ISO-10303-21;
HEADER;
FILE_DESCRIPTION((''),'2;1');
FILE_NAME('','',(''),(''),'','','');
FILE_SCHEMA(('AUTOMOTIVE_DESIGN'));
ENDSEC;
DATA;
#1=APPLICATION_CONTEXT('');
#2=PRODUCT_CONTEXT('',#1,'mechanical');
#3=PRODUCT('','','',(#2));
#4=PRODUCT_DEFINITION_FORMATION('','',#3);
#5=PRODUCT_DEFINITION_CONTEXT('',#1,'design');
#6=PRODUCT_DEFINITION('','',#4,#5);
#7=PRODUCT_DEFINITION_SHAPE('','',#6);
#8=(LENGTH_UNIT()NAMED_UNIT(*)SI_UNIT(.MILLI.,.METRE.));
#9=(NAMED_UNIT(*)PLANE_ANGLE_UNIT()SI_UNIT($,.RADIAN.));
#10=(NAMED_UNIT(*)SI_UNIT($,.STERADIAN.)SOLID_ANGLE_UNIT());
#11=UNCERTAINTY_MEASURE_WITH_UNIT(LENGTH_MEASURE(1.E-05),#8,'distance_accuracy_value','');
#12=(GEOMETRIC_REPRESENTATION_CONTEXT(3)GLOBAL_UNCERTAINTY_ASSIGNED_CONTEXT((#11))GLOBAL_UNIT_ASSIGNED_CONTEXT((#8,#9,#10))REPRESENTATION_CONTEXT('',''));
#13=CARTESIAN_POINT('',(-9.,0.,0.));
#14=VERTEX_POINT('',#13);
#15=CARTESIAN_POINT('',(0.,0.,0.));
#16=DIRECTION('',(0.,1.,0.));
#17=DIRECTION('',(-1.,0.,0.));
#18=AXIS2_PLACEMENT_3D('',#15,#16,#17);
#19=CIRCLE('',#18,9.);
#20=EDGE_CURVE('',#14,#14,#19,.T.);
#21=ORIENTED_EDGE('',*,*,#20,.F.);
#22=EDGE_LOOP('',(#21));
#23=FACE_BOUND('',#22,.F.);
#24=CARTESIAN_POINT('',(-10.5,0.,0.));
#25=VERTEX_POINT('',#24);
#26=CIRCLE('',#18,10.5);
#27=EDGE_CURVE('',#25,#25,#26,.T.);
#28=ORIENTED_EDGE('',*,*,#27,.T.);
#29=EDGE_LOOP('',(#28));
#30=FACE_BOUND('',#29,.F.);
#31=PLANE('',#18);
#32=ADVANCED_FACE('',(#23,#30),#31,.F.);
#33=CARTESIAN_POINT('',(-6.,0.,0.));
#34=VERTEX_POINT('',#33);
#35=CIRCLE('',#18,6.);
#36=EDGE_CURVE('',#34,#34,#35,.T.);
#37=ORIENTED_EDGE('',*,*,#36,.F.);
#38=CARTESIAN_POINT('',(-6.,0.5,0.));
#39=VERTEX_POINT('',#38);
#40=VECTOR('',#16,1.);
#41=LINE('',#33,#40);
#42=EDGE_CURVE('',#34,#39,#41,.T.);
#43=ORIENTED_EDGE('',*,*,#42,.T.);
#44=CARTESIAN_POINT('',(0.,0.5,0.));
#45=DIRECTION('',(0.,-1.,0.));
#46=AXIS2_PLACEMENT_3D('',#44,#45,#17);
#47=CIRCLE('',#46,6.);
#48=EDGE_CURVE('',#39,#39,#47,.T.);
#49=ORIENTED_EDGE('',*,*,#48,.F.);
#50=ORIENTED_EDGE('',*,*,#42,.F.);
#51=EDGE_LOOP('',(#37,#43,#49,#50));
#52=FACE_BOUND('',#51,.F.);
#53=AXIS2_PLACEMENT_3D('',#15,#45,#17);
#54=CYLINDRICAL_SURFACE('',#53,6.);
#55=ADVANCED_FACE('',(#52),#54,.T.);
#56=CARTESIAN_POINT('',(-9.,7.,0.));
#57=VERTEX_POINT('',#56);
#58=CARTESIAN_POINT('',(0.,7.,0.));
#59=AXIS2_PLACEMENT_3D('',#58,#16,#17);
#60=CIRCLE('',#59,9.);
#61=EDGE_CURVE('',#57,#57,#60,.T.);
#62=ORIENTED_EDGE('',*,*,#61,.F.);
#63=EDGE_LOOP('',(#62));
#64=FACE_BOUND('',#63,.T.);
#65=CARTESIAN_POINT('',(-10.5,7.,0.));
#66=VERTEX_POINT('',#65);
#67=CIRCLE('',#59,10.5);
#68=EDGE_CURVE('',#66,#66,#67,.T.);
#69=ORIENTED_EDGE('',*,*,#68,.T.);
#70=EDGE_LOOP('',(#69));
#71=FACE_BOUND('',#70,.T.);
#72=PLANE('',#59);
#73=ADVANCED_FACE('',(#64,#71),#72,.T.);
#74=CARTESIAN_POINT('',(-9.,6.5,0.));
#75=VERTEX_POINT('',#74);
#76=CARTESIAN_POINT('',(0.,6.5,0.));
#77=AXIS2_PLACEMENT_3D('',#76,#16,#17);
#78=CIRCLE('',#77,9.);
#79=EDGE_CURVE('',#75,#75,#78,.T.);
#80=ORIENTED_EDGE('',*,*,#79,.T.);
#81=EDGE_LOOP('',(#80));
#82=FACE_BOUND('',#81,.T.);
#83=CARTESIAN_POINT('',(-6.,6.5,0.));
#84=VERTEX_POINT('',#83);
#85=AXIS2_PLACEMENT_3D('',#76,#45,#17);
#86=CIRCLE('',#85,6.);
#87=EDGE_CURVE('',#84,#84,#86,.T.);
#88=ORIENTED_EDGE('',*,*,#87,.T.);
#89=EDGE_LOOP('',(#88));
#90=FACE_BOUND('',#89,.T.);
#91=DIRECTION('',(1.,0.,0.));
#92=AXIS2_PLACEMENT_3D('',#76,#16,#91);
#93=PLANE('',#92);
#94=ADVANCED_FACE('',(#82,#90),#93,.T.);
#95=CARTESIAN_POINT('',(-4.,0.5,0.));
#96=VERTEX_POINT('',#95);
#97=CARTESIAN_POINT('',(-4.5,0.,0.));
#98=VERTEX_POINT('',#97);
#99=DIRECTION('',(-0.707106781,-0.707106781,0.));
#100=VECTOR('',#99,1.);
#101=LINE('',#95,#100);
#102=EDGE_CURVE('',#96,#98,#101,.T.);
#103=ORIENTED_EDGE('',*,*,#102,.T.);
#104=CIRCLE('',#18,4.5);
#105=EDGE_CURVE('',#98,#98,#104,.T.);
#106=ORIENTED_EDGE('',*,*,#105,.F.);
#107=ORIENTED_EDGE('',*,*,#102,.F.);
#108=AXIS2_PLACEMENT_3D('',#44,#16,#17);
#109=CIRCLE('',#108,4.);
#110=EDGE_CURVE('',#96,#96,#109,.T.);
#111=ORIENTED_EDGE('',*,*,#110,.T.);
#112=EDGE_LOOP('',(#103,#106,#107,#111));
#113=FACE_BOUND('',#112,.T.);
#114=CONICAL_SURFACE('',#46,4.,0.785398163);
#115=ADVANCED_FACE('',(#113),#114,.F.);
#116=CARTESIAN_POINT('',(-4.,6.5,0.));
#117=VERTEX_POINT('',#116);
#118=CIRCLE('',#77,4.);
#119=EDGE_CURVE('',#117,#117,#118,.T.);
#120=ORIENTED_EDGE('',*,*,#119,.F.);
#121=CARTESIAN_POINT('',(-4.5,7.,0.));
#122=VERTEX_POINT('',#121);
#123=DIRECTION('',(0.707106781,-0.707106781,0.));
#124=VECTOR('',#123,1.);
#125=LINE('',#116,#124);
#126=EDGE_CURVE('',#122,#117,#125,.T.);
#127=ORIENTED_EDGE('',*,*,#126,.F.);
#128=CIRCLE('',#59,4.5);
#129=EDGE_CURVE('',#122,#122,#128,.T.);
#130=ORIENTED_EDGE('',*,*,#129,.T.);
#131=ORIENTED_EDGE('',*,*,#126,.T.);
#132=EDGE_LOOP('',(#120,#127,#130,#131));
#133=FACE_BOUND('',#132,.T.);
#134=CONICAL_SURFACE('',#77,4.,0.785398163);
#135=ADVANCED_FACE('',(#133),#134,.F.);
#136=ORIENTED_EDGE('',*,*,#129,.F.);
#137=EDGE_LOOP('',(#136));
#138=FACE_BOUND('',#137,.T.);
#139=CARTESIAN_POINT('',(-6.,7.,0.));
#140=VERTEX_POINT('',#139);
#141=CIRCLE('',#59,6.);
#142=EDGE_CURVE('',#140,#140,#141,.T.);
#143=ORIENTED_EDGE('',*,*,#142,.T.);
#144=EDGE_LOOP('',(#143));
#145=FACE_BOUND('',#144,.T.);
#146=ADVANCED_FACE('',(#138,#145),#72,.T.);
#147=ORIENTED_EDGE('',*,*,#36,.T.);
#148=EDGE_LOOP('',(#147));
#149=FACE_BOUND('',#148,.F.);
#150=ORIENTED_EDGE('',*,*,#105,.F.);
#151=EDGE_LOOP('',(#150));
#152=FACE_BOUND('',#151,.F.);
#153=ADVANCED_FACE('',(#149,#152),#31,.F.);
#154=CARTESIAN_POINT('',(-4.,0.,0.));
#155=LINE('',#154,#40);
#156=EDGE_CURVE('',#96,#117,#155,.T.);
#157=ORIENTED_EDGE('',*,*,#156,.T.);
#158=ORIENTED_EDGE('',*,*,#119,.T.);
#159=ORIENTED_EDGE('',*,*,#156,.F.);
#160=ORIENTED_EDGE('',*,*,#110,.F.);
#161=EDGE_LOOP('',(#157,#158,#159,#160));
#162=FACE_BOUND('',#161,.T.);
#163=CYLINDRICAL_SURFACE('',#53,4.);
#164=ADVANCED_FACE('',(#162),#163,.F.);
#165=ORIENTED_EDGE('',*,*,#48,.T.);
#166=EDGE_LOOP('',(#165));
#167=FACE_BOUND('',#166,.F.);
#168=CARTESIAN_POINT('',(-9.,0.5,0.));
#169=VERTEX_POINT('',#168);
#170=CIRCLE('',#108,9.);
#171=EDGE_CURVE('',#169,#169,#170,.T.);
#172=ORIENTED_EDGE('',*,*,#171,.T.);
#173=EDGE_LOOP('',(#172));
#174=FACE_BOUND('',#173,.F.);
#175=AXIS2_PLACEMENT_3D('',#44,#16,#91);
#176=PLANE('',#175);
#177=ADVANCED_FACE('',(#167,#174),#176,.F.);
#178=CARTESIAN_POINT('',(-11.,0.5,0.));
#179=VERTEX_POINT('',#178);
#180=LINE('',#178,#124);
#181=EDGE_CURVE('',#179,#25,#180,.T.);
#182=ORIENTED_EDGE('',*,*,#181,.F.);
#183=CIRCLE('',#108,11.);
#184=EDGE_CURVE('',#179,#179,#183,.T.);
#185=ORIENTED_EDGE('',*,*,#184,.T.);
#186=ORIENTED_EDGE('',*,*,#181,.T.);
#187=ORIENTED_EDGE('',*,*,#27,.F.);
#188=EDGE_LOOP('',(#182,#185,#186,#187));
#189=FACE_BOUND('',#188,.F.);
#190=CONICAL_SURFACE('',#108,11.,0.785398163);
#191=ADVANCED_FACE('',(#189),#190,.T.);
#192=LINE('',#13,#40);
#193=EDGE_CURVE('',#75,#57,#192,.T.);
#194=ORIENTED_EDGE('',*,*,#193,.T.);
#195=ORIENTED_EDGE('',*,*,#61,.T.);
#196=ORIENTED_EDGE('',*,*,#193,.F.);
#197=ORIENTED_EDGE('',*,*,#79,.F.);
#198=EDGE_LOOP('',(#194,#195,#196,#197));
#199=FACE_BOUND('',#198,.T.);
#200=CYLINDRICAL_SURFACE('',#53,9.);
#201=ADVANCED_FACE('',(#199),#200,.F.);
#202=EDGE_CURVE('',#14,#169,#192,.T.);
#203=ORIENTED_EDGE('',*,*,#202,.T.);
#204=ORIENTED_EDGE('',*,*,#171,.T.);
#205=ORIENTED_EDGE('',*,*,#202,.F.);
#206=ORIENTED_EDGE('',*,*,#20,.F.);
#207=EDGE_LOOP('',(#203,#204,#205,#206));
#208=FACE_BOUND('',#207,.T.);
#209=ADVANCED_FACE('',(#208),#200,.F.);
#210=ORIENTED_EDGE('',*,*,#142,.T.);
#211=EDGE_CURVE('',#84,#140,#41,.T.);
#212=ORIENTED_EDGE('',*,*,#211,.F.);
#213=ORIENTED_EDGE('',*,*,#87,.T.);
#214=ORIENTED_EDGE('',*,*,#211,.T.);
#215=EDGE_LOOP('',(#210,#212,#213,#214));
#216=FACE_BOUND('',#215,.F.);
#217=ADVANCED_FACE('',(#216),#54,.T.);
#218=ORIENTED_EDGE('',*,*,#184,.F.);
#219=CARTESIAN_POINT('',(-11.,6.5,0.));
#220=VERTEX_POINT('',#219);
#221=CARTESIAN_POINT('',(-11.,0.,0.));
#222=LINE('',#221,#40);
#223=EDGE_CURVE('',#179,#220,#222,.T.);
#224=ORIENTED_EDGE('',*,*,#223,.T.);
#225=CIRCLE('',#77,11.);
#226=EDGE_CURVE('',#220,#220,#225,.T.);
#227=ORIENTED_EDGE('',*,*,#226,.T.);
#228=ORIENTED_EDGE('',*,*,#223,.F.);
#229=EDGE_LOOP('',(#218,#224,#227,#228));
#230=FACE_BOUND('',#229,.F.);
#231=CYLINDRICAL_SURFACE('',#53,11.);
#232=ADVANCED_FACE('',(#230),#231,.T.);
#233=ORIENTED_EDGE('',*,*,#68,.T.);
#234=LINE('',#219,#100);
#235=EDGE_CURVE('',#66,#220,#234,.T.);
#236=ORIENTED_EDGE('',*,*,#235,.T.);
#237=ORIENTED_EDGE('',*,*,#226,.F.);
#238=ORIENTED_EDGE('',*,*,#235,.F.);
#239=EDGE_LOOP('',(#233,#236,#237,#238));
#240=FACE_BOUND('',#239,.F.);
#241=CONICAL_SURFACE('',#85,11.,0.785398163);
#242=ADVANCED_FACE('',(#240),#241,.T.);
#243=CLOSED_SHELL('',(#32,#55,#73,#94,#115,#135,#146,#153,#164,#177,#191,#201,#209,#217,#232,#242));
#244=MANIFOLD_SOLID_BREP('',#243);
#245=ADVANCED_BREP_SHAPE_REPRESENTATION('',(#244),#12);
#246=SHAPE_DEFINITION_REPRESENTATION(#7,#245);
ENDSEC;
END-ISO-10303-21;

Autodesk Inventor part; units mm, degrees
ref_plane "YZ Plane" through (0, 0, 0) normal (1, 0, 0) x (0, 1, 0)
ref_plane "XZ Plane" through (0, 0, 0) normal (0, 1, 0) x (-1, 0, 0)
sketch "Sketch1" plane through (0, 0, 0) normal (0, 1, 0) x (-1, 0, 0)
  circle A0 centre (0, 0) radius 11
  circle A1 centre (0, 0) radius 4
  circle A2 centre (0, 0) radius 6
  circle A3 centre (0, 0) radius 9
  dimension "d0" = 22
  dimension "d1" = 8
  dimension "d2" = 2
  dimension "d3" = 2
extrude "Extrusion1" add sketch "Sketch1" along normal blind 7
ref_plane "Work Plane1" through (0, 6.5, 0) normal (0, 1, 0) x (1, 0, 0)
sketch "Sketch2" plane through (0, 6.5, 0) normal (0, 1, 0) x (1, 0, 0)
  circle A0 centre (0, 0) radius 6
  circle A1 centre (0, 0) radius 9
  circle A2 centre (0, 0) radius 6 projected
  circle A3 centre (0, 0) radius 9 projected
extrude "Extrusion2" add sketch "Sketch2" against normal blind 6
chamfer "Chamfer1" distance 0.5 angle 45 4 edges at (11, 7, 0) (11, 0, 0) (4, 7, 0) (4, 0, 0)
properties part number "Cojinete_608zz"
